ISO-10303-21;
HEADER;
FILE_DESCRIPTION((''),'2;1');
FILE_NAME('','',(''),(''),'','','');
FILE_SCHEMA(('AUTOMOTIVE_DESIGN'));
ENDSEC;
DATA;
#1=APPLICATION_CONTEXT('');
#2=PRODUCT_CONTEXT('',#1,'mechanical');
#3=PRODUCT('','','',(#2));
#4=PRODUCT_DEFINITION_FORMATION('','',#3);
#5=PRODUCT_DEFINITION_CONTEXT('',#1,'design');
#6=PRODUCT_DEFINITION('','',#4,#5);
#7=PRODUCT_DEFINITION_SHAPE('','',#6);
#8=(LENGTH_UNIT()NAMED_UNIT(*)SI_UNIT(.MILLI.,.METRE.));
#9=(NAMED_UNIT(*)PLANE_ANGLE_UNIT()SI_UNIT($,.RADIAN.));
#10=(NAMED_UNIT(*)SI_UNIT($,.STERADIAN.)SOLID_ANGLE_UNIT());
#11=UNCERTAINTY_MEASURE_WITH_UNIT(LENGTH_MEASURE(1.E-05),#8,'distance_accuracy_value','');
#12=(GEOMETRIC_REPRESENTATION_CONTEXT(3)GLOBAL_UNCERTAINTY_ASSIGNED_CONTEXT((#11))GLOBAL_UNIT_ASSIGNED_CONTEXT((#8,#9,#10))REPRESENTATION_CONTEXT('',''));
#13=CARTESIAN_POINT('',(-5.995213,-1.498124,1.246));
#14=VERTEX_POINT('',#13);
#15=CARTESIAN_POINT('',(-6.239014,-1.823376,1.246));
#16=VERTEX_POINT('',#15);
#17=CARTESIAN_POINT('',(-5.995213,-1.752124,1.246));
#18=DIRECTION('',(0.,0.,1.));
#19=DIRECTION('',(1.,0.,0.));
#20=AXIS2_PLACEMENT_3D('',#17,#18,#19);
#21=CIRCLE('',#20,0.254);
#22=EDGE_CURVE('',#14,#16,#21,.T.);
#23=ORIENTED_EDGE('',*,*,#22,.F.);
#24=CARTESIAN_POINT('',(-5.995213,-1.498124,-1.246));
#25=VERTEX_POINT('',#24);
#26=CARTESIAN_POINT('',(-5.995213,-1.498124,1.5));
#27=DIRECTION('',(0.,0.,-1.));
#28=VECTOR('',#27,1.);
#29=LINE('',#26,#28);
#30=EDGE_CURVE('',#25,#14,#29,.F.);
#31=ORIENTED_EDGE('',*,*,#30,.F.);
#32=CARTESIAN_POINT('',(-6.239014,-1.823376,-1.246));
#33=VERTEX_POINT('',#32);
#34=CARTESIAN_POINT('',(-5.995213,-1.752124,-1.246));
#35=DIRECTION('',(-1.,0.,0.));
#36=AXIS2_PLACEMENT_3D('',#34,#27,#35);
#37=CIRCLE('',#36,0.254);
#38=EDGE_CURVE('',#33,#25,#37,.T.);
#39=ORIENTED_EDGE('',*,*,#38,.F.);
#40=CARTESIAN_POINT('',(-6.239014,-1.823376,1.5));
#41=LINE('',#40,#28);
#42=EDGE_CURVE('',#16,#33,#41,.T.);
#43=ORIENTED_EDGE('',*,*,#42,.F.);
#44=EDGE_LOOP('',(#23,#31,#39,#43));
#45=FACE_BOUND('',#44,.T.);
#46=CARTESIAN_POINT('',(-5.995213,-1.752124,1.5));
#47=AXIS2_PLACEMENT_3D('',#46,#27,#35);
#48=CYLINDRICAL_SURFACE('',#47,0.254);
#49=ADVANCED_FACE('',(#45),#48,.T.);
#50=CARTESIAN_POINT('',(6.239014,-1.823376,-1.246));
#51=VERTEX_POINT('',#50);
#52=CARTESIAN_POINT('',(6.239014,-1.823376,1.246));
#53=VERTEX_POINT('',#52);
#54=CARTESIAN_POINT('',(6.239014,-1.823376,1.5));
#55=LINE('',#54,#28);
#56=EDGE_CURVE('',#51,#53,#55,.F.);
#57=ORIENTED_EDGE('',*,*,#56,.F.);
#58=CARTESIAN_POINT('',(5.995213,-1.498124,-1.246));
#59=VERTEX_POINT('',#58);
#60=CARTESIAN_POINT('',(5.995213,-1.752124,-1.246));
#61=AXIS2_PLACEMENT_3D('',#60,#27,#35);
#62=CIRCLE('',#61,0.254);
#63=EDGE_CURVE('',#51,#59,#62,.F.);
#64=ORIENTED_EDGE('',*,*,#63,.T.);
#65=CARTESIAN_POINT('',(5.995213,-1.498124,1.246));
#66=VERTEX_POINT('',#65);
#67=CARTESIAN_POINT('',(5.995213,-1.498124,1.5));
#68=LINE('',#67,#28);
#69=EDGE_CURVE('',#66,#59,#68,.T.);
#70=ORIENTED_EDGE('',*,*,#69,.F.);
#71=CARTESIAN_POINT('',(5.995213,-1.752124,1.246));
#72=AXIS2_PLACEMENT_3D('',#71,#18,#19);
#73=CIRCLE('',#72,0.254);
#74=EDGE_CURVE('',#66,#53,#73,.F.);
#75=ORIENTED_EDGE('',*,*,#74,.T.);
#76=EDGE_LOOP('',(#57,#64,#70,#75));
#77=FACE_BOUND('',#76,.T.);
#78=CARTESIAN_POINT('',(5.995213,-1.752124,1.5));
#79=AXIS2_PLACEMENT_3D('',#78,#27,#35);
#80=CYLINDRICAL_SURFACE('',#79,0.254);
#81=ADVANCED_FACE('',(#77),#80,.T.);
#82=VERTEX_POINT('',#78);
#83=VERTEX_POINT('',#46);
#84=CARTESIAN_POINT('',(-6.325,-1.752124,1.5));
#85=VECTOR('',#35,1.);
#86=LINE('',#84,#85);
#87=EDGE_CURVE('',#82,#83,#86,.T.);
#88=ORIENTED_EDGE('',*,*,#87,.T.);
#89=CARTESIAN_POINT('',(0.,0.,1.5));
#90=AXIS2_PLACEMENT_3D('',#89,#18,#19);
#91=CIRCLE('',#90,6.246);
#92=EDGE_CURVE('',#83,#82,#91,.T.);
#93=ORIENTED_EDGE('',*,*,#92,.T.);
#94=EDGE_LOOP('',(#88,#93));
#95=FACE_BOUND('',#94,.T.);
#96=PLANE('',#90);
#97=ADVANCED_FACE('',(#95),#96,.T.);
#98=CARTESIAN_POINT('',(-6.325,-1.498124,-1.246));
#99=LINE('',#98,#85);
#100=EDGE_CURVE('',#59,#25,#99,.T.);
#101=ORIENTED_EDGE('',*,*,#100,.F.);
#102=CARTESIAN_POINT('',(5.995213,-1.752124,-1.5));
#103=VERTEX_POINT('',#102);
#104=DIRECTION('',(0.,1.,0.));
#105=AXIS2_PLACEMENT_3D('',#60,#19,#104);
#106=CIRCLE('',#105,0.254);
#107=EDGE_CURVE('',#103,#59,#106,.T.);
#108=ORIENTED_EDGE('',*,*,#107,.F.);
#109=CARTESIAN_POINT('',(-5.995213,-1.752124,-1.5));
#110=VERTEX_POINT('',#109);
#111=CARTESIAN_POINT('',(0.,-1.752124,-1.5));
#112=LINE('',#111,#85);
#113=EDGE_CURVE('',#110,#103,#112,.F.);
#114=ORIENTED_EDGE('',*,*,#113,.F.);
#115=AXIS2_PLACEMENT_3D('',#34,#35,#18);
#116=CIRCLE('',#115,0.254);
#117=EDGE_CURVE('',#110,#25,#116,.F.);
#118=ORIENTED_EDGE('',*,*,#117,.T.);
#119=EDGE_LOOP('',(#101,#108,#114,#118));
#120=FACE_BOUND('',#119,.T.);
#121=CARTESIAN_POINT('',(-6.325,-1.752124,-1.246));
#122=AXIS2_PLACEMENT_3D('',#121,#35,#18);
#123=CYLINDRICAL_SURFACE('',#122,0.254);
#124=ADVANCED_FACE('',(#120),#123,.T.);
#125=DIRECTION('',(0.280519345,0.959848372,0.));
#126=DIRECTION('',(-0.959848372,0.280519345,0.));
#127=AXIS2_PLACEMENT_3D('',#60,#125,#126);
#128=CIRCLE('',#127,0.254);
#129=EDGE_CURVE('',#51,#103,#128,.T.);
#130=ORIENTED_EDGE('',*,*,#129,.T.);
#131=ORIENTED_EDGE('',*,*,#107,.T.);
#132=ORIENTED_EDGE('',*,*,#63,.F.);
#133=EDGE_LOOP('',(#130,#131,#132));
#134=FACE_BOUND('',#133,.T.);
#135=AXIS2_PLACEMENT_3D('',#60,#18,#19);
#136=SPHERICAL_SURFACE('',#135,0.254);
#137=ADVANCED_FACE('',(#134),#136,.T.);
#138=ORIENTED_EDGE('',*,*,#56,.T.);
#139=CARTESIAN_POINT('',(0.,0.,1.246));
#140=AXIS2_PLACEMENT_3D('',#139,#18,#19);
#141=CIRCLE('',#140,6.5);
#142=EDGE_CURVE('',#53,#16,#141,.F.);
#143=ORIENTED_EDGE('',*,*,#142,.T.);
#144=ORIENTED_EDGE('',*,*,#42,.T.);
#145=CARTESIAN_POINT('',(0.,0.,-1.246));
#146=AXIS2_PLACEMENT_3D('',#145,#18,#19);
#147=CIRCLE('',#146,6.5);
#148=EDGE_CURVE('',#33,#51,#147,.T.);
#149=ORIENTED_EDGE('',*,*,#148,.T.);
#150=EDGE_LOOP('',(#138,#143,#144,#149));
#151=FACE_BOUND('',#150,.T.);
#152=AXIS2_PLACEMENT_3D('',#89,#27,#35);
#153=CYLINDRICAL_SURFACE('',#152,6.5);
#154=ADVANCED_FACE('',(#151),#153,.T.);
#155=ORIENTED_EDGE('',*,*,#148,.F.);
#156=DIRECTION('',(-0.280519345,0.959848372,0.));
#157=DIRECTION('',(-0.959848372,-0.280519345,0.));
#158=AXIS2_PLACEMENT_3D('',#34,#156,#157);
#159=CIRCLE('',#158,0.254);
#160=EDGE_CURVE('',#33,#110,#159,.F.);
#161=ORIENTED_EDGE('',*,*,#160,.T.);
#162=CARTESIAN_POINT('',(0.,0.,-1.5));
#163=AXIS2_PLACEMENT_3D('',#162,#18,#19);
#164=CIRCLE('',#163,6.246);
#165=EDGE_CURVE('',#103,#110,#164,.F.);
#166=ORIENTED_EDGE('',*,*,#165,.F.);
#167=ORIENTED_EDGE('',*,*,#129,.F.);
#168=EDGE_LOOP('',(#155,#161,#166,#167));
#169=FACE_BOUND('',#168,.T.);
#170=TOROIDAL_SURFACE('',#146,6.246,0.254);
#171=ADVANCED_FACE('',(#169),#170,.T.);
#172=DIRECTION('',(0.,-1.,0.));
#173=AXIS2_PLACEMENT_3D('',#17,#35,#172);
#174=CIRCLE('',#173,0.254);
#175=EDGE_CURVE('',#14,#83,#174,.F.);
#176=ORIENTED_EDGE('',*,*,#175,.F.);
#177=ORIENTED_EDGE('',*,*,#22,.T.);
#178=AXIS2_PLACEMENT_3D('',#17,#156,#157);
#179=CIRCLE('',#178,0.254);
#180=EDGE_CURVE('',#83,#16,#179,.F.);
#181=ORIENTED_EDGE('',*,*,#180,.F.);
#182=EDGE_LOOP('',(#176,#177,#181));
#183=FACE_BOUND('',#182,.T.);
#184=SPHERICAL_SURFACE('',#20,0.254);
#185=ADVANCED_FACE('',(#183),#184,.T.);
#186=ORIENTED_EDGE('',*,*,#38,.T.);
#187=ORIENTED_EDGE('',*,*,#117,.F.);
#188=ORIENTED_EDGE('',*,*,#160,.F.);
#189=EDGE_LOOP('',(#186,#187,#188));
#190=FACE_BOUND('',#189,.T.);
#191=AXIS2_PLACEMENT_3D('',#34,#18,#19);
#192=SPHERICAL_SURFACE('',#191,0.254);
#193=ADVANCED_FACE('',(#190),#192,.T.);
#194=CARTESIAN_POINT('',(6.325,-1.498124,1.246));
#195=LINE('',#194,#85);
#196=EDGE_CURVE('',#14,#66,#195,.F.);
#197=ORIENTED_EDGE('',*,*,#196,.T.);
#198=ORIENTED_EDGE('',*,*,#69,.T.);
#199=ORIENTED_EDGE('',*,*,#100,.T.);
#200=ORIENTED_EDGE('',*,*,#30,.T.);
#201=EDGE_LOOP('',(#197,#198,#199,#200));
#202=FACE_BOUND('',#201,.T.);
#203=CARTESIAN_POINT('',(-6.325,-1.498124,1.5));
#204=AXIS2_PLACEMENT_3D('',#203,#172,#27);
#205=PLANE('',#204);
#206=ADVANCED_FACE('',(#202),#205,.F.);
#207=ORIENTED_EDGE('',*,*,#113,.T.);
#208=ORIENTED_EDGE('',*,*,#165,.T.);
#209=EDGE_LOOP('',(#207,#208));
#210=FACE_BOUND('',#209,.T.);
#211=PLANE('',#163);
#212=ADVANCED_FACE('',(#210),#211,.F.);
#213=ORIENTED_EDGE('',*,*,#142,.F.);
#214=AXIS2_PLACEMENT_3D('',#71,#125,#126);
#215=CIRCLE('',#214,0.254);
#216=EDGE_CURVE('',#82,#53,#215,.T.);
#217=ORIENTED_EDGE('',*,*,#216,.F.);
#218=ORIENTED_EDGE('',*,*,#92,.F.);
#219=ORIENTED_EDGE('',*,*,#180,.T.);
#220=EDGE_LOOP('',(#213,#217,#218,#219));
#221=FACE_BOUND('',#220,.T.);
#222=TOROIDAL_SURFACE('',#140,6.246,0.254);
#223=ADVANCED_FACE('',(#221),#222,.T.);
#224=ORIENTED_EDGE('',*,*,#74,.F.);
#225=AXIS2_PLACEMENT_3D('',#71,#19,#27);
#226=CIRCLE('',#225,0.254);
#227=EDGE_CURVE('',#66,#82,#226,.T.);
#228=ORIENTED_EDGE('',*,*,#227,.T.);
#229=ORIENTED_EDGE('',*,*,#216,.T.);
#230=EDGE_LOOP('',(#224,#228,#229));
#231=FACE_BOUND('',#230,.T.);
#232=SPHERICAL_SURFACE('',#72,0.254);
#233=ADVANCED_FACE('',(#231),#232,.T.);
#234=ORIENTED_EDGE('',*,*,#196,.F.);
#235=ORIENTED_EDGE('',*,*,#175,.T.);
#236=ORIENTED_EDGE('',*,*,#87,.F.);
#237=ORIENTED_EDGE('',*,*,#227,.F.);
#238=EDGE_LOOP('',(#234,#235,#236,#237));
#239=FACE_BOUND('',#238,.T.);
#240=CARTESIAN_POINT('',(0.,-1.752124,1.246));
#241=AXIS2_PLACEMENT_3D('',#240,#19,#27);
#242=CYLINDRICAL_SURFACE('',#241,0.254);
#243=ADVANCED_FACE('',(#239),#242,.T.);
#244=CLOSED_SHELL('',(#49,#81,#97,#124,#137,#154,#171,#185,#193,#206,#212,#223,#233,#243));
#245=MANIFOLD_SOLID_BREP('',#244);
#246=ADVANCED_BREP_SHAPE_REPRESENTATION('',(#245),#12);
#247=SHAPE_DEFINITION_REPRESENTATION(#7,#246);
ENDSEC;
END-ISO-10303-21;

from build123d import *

# Parameters (mm, degrees)
EXTRUDE1_DEPTH = 1.5
FILLET1_R      = 0.254


with BuildPart() as part:
    # Sketch1 → Extrude1 (new body, symmetric)
    with BuildSketch(Plane.XY):
        with BuildLine():
            Line((-6.325, -1.498123827), (6.325, -1.498123827))
            ThreePointArc((6.325, -1.498123827), (0, -6.5), (-6.325, -1.498123827))
        make_face()
    extrude(amount=EXTRUDE1_DEPTH, both=True)

    # Fillet1
    fillet1_edges = [part.edges().sort_by_distance(p)[0] for p in [
        (0, -1.498123827, -1.5),
        (0, -6.5, -1.5),
        (0, -6.5, 1.5),
        (-6.325, -1.498123827, 0),
        (6.325, -1.498123827, 0),
        (0, -1.498123827, 1.5),
    ]]
    fillet(fillet1_edges, radius=FILLET1_R)


solid = part.part
